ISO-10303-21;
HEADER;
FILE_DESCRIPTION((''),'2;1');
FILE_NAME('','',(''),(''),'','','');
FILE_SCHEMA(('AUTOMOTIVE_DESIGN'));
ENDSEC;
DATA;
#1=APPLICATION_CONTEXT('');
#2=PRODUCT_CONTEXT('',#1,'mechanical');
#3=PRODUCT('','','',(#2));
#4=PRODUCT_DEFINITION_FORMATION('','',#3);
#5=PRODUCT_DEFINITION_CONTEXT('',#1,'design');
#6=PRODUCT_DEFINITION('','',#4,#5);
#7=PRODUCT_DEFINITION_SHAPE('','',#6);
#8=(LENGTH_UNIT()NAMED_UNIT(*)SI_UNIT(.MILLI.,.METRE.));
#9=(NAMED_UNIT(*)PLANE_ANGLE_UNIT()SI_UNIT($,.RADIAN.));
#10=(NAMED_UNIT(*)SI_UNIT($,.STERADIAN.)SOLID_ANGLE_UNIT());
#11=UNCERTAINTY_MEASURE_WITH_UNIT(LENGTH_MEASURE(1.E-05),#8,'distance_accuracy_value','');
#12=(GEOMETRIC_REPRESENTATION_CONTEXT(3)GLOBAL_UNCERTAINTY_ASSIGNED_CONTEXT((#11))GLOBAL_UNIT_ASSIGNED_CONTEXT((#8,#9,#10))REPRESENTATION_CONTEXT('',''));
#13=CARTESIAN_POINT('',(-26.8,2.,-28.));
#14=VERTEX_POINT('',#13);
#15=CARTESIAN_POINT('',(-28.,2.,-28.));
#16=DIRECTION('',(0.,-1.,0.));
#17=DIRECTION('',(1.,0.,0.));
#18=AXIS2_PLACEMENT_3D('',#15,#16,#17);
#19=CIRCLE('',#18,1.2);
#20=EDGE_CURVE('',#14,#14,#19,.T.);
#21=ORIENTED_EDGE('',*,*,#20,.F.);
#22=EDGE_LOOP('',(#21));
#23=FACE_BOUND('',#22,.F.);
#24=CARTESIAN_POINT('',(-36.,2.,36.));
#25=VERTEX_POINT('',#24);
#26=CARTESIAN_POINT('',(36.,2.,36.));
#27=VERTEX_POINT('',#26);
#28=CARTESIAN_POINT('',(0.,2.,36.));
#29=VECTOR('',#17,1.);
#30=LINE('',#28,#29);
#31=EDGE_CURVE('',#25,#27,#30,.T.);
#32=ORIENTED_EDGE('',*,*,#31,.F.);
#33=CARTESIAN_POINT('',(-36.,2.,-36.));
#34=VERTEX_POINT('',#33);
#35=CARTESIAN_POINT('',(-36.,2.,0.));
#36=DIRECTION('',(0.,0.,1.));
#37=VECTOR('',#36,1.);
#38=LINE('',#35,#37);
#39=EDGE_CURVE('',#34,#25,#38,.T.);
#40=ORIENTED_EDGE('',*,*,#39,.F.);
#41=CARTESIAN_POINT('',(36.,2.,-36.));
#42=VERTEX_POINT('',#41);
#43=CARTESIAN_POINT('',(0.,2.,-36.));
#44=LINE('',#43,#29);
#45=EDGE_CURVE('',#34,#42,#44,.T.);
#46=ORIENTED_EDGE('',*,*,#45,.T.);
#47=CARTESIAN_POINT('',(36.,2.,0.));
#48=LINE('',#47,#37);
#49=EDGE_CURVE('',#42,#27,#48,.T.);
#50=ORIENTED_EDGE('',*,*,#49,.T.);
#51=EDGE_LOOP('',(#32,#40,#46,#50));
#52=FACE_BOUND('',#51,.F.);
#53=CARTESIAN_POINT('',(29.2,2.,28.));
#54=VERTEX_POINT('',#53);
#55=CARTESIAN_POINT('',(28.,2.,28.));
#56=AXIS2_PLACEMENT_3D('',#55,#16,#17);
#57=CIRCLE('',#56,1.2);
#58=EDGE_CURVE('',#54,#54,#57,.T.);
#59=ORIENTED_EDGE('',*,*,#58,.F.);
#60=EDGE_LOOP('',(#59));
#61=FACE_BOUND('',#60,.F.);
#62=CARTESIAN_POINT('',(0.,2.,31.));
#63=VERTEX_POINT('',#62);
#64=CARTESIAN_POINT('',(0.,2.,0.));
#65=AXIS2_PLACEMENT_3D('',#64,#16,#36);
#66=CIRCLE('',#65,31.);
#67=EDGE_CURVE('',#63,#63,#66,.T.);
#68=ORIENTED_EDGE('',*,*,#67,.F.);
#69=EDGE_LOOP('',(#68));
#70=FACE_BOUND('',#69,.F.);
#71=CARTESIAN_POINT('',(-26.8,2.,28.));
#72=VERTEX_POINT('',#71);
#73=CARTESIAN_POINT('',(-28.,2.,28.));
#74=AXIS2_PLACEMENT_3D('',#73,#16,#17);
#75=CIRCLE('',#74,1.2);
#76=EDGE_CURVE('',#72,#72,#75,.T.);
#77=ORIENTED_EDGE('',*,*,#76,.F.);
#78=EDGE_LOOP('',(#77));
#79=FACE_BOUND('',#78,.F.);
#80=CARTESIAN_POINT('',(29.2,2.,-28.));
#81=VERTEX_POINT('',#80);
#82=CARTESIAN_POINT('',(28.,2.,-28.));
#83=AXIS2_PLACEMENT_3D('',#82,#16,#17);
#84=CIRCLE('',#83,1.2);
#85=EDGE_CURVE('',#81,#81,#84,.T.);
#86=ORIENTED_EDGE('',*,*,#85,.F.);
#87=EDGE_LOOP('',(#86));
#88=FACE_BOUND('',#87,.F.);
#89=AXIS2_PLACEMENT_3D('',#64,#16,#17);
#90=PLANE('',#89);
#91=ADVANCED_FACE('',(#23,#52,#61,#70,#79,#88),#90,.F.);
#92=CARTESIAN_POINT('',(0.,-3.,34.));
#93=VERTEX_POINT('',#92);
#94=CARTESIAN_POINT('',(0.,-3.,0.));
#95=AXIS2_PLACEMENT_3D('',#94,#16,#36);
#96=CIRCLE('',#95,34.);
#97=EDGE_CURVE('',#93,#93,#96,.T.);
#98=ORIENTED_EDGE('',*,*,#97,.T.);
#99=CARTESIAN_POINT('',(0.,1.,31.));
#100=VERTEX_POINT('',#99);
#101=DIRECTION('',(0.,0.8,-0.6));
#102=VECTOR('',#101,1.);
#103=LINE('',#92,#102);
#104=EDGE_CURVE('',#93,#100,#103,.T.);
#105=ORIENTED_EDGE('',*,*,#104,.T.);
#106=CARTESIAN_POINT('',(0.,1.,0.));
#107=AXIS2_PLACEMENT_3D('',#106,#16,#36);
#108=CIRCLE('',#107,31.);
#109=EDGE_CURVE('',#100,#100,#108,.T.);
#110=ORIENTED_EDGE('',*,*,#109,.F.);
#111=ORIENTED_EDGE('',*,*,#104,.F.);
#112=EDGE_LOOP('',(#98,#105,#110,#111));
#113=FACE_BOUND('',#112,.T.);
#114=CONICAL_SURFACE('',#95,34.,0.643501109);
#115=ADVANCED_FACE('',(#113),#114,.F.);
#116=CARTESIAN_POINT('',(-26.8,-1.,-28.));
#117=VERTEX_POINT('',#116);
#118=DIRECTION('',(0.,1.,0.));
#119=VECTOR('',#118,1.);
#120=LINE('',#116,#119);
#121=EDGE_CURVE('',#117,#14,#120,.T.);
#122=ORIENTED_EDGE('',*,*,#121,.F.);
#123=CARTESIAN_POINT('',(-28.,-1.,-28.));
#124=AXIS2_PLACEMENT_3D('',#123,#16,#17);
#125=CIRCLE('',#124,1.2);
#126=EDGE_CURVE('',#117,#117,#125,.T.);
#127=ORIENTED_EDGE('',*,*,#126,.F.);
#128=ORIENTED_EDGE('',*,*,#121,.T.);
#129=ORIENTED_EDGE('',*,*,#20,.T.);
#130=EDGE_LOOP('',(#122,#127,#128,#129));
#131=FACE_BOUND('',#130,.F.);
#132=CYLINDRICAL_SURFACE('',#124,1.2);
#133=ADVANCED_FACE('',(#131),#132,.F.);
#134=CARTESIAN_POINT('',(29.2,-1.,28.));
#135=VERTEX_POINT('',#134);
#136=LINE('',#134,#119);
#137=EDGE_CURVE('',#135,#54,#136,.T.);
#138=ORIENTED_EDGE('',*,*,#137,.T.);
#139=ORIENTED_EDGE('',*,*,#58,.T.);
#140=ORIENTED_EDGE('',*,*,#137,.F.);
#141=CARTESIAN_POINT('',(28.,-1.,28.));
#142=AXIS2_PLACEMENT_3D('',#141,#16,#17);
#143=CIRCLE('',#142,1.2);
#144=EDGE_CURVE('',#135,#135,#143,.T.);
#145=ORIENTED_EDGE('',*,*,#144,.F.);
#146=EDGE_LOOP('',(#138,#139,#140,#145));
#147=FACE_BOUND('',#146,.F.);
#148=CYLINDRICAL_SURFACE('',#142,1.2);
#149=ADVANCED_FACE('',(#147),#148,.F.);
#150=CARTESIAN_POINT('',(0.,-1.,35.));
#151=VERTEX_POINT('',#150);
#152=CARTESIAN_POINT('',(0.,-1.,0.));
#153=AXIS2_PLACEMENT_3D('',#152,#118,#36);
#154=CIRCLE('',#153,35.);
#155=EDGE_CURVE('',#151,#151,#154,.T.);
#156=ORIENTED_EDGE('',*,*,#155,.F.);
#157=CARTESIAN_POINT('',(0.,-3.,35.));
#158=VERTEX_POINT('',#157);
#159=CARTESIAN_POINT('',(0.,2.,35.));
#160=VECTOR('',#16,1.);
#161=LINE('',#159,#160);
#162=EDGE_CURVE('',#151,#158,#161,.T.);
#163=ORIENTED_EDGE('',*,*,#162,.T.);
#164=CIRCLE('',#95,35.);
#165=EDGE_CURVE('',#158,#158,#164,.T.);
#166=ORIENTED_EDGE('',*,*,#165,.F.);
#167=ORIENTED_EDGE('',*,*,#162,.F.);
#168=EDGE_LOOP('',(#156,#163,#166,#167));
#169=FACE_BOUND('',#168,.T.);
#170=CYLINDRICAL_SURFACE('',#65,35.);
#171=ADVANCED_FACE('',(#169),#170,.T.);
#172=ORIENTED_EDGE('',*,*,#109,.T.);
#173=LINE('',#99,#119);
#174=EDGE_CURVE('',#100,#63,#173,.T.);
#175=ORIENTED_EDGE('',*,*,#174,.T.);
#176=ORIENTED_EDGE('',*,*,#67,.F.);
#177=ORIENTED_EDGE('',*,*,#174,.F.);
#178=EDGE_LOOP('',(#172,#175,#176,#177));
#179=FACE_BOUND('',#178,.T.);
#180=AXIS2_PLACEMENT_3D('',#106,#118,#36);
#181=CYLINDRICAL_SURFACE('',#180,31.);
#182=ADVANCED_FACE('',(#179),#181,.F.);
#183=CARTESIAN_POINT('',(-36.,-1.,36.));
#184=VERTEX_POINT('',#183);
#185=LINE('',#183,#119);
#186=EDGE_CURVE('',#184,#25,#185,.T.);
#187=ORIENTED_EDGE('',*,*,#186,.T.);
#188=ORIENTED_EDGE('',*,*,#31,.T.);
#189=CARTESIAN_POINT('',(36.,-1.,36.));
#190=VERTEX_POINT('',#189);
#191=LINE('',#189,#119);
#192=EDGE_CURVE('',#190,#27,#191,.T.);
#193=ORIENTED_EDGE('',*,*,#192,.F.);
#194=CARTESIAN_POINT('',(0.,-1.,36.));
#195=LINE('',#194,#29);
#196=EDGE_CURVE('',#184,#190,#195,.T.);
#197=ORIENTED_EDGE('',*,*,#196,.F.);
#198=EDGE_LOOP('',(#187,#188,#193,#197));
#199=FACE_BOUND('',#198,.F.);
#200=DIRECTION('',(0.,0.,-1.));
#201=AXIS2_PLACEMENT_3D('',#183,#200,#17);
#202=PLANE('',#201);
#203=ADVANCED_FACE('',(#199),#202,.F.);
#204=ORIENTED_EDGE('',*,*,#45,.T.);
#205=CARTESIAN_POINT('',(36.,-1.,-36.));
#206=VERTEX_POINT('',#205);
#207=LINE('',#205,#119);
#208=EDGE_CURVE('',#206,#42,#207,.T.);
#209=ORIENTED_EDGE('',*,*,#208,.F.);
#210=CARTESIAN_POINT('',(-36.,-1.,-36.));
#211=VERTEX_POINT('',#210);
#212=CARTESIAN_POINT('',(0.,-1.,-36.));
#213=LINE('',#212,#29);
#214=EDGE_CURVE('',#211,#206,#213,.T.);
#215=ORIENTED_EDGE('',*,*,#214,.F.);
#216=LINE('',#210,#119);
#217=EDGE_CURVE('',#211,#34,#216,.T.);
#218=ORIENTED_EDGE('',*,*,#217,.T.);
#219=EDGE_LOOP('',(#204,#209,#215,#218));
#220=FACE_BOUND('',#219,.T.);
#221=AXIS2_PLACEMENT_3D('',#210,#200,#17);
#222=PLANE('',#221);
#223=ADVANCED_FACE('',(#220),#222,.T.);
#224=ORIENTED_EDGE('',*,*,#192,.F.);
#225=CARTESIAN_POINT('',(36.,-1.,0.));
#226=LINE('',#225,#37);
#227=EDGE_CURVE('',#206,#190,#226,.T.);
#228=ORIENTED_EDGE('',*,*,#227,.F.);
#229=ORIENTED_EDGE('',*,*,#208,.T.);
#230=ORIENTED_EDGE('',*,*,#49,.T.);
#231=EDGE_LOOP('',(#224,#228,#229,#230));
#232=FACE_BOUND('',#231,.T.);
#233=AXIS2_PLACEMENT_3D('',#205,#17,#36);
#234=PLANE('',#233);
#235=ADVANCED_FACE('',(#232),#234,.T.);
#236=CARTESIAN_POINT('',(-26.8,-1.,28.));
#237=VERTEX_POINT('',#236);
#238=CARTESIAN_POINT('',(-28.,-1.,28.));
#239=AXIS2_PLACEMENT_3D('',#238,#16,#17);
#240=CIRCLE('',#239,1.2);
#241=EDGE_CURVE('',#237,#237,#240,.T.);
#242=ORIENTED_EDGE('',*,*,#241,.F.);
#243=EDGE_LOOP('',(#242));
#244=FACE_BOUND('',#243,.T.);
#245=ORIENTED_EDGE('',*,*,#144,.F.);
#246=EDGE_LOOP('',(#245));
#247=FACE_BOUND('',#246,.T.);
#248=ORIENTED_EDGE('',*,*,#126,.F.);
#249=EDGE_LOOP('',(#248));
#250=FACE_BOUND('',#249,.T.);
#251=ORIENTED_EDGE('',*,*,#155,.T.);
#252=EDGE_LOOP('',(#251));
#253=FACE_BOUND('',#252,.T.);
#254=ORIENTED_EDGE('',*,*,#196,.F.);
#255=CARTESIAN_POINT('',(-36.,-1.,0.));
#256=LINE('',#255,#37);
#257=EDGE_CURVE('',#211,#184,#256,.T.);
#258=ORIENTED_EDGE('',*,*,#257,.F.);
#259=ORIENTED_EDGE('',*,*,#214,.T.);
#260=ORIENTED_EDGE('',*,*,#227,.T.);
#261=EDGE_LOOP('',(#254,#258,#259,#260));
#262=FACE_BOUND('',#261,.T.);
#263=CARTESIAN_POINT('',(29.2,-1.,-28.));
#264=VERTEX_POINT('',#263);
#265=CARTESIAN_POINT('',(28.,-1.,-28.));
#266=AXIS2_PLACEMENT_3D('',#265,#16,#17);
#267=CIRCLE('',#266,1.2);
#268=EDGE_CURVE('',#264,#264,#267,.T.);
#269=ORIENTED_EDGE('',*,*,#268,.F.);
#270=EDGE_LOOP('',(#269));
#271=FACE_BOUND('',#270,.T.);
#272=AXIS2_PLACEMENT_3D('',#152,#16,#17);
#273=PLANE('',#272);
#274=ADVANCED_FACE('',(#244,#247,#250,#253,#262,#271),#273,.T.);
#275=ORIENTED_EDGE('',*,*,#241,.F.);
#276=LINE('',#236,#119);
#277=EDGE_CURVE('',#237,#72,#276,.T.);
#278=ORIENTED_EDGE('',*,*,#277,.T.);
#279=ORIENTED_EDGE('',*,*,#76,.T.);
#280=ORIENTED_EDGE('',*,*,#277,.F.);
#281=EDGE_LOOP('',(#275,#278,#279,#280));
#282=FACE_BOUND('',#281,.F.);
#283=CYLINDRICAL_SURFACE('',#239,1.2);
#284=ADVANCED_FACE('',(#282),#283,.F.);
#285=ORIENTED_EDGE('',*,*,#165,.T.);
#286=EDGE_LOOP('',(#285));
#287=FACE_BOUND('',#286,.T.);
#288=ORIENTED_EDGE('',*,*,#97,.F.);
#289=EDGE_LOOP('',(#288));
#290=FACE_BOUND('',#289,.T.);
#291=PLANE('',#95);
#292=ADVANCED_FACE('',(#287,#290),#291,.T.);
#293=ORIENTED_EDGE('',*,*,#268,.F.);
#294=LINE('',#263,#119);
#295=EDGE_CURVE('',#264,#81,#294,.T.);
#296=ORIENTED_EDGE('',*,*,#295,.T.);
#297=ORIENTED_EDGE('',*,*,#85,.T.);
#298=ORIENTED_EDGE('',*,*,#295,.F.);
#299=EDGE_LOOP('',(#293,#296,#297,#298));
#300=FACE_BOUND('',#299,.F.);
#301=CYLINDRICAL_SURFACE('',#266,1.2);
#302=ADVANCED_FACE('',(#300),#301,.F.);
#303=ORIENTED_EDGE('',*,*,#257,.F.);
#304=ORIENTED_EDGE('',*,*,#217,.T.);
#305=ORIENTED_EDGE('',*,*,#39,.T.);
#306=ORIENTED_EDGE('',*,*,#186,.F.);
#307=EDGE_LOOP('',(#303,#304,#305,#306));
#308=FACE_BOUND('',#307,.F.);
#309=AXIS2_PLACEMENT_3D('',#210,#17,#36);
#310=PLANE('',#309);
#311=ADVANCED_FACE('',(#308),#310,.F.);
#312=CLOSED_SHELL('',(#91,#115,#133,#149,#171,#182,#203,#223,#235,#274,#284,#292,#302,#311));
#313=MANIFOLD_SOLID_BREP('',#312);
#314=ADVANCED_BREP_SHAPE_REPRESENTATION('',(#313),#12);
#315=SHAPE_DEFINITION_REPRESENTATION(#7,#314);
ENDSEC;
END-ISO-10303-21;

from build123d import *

# Parameters (mm, degrees)
F3_W     = 72
F3_H     = 72
F3_R     = 1.2
F3_R_2   = 35
F4_DEPTH = 3


with BuildPart() as f1:
    # F0 (on Right) → F1 (revolve)
    with BuildSketch(Plane.YZ):
        Polygon((2, 35), (-3, 35), (-3, 34), (1, 31), (2, 31), align=None)
    revolve(axis=Axis((0, 1.602868, 0), (0, -1, 0)))

    # F3 (on offset) → F4 (join)
    with BuildSketch(Plane.XZ.offset(1)):
        Rectangle(F3_W, F3_H)
        with Locations((-28, -28)):
            Circle(F3_R, mode=Mode.SUBTRACT)
        with Locations((28, -28)):
            Circle(F3_R, mode=Mode.SUBTRACT)
        with Locations((-28, 28)):
            Circle(F3_R, mode=Mode.SUBTRACT)
        Circle(F3_R_2, mode=Mode.SUBTRACT)
        with Locations((28, 28)):
            Circle(F3_R, mode=Mode.SUBTRACT)
    extrude(amount=-F4_DEPTH)


solid = f1.part
